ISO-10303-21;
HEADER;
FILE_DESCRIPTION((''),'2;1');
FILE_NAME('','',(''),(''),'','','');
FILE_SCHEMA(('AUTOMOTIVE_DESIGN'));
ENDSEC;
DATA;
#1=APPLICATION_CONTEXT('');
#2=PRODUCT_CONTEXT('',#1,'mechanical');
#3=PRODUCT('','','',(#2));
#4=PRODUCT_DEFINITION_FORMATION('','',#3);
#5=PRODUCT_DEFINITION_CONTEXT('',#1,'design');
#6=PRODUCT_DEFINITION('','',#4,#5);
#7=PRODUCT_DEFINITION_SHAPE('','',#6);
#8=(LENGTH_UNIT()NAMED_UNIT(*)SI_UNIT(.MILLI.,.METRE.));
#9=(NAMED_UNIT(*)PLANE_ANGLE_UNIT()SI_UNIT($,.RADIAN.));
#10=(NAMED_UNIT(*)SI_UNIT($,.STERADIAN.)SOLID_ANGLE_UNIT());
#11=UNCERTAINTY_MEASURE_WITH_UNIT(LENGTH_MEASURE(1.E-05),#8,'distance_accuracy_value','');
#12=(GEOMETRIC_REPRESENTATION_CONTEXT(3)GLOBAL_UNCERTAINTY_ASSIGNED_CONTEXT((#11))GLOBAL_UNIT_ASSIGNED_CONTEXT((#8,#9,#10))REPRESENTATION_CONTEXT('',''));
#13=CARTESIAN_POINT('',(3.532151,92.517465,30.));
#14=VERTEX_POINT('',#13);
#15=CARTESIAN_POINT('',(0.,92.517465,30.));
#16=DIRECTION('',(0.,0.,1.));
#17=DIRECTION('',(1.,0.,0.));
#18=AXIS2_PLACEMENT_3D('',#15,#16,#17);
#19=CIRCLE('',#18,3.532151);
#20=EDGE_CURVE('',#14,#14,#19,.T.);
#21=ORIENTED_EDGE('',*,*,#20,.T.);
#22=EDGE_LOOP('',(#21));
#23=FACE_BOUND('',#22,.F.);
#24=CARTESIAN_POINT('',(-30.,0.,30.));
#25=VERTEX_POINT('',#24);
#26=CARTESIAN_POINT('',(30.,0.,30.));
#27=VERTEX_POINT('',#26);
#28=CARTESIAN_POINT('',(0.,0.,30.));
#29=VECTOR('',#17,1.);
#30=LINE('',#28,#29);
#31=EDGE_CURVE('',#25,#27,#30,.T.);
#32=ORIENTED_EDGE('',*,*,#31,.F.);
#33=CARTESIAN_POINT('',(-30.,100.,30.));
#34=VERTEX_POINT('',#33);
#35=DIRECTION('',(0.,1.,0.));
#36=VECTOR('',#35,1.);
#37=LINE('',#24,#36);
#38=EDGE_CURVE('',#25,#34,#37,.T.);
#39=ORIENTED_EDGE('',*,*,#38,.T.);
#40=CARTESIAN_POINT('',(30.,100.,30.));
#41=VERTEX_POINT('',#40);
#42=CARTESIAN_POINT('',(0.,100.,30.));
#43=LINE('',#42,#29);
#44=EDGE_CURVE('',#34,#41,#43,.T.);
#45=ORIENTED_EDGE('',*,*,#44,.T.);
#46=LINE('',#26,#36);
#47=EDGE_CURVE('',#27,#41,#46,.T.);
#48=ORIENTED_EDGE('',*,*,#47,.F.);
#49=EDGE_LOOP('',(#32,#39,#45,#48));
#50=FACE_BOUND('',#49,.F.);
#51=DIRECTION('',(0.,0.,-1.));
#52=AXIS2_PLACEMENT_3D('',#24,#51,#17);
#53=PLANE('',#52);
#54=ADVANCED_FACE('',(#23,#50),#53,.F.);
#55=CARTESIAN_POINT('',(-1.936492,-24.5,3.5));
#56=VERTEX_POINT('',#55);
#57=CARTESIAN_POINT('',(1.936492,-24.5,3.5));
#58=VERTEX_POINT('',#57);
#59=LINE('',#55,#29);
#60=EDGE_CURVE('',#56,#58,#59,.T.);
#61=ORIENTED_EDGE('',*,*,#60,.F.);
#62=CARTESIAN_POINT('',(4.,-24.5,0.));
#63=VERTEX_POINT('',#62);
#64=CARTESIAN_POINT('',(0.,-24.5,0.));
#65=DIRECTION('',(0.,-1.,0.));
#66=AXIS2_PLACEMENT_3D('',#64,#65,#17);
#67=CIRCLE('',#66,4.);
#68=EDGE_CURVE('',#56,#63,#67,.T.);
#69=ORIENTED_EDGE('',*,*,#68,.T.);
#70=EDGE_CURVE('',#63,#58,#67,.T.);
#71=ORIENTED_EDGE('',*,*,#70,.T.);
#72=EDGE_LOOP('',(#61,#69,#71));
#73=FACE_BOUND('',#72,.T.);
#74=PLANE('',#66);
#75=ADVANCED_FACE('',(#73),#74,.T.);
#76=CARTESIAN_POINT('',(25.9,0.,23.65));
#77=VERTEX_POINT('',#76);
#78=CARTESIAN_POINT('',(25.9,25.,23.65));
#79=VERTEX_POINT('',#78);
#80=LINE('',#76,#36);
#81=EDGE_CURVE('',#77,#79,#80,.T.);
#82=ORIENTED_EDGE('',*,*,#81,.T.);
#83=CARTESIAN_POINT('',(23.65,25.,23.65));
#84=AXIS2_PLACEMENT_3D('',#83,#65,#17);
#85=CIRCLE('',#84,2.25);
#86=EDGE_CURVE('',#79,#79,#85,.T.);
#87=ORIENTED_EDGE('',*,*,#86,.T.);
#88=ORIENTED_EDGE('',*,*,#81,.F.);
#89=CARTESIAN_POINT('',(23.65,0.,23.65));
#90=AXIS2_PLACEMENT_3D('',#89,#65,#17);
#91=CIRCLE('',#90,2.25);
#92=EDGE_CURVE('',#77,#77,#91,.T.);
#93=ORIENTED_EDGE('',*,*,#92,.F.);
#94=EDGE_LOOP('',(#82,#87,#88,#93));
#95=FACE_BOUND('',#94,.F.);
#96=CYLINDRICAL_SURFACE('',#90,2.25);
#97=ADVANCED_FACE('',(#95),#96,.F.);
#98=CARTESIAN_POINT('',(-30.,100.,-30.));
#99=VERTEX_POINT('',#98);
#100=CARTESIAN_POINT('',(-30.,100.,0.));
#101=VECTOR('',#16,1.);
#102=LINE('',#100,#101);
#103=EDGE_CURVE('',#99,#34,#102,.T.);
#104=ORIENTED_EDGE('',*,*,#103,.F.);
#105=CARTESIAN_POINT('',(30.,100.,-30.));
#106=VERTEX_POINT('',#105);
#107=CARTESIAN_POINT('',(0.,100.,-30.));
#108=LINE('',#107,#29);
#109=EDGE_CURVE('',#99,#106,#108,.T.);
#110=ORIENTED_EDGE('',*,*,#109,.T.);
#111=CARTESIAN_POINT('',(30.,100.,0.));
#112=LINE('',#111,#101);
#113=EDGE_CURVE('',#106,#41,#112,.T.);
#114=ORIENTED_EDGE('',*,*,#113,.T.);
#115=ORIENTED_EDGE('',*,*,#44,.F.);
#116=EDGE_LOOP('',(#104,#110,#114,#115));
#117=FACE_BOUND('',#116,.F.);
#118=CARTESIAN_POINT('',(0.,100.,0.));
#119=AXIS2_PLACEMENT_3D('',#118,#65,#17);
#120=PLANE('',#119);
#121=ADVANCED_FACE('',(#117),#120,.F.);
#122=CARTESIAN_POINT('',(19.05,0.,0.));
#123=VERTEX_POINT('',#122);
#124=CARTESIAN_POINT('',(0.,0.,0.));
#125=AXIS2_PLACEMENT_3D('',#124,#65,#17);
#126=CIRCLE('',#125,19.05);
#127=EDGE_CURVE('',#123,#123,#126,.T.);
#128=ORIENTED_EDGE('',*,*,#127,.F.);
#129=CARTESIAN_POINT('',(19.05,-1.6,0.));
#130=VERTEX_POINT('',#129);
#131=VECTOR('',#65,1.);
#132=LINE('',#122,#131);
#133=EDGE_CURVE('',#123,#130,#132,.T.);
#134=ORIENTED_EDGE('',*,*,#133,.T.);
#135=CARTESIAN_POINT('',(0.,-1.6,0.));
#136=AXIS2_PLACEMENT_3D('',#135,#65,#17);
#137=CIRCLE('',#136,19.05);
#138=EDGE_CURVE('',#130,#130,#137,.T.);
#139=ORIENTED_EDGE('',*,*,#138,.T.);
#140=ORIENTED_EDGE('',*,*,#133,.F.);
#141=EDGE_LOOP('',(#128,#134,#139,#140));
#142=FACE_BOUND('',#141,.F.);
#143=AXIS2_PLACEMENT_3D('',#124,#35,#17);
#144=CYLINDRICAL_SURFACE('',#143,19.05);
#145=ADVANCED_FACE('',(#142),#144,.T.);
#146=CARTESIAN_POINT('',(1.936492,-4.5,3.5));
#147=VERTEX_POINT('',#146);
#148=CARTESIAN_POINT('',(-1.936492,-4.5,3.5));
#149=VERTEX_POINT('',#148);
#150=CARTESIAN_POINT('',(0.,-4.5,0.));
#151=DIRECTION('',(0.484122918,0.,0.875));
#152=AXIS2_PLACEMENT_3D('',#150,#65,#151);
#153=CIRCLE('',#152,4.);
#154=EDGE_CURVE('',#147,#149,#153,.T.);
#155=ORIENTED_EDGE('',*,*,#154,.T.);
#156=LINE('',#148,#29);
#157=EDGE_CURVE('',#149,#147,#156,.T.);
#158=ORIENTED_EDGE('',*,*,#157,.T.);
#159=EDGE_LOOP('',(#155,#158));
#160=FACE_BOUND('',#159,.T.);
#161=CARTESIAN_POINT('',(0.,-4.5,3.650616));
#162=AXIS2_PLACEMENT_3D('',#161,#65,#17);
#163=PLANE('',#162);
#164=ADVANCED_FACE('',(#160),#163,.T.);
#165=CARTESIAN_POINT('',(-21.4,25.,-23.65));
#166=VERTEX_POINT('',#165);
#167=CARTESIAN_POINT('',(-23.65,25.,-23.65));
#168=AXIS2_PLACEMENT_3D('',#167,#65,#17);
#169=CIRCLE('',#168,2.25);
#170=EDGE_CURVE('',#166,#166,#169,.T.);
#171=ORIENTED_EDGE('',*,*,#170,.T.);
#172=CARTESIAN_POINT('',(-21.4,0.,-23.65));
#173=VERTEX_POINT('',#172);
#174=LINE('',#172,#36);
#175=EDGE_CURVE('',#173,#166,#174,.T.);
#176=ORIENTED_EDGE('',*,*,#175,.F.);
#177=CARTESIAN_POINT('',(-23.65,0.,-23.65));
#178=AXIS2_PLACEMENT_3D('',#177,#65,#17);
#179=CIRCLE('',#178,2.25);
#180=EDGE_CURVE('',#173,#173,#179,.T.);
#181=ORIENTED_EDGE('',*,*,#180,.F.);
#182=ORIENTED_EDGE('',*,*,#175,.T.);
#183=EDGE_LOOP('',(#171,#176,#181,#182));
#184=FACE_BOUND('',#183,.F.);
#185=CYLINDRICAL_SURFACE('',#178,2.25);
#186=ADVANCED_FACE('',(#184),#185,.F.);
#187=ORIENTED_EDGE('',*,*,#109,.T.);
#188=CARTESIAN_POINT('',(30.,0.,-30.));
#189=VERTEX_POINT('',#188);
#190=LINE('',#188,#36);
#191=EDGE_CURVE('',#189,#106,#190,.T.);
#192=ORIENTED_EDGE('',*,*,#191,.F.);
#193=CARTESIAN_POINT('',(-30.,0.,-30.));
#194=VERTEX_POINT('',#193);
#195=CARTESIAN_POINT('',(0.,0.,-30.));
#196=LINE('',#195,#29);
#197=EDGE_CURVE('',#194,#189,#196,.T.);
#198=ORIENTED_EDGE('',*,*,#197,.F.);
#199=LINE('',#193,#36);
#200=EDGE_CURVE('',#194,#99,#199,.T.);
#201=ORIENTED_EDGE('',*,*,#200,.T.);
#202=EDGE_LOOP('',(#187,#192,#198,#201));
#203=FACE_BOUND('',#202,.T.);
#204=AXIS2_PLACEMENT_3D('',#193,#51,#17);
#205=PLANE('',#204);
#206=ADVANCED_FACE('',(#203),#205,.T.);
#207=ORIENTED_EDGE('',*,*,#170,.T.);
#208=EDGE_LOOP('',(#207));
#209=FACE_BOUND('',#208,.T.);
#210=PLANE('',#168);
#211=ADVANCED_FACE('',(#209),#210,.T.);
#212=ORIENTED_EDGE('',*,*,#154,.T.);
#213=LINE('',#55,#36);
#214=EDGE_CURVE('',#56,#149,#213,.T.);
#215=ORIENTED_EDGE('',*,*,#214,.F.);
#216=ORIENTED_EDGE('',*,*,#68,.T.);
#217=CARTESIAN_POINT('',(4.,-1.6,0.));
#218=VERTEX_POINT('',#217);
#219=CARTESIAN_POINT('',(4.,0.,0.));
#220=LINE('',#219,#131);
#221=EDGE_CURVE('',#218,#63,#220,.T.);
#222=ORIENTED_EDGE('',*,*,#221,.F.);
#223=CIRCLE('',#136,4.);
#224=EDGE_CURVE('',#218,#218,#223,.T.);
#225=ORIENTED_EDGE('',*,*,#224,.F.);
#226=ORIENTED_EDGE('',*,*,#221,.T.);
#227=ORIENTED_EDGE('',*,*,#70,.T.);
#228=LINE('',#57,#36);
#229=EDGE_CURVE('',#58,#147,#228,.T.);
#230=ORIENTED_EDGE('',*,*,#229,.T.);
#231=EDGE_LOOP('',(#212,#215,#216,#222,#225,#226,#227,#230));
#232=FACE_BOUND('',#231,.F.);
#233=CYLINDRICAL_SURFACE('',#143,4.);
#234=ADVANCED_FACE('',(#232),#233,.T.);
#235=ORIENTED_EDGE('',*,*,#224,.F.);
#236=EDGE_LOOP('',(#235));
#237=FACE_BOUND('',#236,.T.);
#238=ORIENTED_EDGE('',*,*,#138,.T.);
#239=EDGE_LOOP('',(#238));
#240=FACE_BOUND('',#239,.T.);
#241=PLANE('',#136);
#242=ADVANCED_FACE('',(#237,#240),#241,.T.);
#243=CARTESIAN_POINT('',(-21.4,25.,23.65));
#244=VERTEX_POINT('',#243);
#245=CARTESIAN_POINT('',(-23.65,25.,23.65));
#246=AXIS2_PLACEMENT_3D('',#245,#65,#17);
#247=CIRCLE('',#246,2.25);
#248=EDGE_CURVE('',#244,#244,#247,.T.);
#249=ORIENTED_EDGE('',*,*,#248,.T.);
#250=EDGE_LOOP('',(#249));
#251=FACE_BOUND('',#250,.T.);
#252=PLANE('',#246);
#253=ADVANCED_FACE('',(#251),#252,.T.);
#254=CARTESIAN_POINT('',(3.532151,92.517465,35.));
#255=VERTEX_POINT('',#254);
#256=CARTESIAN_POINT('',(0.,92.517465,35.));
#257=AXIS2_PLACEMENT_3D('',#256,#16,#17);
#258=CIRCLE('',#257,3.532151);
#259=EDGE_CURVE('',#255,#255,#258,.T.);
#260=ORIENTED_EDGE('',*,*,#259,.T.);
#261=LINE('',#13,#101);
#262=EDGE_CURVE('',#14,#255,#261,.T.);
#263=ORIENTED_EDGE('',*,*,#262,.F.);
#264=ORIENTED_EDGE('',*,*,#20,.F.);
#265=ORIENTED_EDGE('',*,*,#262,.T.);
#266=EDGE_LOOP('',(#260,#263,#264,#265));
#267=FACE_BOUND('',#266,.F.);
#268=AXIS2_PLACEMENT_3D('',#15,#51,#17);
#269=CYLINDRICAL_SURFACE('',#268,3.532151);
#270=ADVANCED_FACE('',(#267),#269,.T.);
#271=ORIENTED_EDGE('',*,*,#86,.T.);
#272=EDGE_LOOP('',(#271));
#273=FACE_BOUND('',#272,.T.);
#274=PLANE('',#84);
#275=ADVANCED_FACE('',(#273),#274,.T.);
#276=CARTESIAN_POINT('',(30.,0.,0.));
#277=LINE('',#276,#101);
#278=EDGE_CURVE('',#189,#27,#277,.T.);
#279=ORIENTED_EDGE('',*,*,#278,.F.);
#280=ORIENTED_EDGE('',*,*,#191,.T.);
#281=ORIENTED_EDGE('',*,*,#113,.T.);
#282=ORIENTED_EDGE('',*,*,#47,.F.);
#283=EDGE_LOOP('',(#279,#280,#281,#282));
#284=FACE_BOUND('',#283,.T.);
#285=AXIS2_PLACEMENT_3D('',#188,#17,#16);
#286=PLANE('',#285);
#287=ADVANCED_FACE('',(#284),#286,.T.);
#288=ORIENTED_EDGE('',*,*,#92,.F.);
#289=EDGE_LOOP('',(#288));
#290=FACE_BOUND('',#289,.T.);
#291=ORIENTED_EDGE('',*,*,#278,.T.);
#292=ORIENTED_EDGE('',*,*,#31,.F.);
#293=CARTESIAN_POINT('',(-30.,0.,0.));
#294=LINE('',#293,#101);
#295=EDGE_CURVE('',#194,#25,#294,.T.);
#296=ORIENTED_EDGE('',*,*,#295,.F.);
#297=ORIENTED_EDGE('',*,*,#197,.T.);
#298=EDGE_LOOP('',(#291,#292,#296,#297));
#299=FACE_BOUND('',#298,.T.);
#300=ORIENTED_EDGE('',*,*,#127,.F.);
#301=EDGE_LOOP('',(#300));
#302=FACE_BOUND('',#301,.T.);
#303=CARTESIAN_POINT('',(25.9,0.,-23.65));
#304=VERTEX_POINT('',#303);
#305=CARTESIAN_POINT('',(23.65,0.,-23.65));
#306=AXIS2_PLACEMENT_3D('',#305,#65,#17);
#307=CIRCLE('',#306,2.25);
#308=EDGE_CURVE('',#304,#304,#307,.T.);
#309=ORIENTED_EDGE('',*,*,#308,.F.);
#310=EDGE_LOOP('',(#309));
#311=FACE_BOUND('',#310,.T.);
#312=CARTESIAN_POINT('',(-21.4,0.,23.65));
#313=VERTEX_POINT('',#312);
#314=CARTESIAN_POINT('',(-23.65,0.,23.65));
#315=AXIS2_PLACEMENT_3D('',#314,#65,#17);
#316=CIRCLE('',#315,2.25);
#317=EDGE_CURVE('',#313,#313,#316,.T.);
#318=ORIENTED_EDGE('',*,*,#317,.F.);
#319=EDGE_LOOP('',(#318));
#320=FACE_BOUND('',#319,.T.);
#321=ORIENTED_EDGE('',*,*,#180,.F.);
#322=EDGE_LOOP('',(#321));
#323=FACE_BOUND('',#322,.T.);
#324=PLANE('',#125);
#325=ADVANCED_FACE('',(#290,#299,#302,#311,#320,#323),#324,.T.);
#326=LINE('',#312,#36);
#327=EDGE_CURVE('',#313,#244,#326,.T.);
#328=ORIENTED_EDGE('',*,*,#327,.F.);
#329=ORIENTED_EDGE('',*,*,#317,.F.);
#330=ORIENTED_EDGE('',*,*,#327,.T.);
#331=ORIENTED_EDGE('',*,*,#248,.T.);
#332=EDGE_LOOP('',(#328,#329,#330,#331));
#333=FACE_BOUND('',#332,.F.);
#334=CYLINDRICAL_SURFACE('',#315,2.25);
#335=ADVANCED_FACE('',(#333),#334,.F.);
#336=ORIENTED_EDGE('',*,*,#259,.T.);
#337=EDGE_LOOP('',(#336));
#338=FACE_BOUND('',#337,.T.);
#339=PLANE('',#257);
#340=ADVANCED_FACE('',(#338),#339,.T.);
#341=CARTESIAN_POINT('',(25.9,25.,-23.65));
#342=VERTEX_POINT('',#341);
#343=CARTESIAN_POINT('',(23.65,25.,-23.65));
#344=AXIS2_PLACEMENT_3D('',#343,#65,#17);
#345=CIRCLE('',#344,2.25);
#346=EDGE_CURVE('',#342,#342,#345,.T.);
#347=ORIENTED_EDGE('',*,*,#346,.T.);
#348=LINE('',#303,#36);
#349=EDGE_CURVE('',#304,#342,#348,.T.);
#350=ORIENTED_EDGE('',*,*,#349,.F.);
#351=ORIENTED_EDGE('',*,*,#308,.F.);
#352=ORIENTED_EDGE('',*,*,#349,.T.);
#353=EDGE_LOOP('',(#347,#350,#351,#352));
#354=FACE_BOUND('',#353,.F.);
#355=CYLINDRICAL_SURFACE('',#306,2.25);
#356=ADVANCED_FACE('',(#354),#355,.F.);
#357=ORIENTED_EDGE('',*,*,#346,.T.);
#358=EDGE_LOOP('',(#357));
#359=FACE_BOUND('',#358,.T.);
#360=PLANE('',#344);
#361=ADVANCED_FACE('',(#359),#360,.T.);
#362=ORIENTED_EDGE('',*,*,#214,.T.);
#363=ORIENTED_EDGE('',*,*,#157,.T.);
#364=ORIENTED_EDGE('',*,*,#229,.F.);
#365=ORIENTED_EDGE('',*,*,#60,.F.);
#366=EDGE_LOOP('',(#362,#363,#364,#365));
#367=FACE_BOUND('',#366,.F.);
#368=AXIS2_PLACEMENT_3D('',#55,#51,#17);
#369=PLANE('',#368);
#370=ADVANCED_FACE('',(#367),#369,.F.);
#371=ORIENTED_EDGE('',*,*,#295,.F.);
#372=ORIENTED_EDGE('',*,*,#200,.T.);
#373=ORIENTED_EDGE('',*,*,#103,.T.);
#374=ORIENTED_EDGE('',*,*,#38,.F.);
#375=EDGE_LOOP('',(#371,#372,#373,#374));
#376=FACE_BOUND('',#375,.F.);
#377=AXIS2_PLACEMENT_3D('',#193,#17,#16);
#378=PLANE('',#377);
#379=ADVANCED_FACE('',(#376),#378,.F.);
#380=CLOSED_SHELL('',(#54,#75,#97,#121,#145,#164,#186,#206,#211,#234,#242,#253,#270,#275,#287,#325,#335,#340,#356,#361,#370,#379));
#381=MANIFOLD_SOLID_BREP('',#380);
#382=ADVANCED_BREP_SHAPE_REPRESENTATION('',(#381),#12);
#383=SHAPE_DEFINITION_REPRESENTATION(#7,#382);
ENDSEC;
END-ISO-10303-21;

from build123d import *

# Parameters (mm, degrees)
F0_W     = 60
F0_H     = 60
F0_R     = 2.25
F0_R_2   = 19.05
F0_R_3   = 4
F1_DEPTH = 100
F2_DEPTH = 24.5
F4_DEPTH = 20
F5_DEPTH = 1.6
F6_DEPTH = 25
F7_R     = 3.5321510556
F8_DEPTH = 5


with BuildPart() as f1:
    # F0 (on Front) → F1 (new body)
    with BuildSketch(Plane.XZ):
        Rectangle(F0_W, F0_H)
        with Locations((-23.65, -23.65)):
            Circle(F0_R, mode=Mode.SUBTRACT)
        with Locations((23.65, -23.65)):
            Circle(F0_R, mode=Mode.SUBTRACT)
        with Locations((-23.65, 23.65)):
            Circle(F0_R, mode=Mode.SUBTRACT)
        Circle(F0_R_2, mode=Mode.SUBTRACT)
        with Locations((23.65, 23.65)):
            Circle(F0_R, mode=Mode.SUBTRACT)
        Circle(F0_R_2)
        Circle(F0_R_3, mode=Mode.SUBTRACT)
        Circle(F0_R_3)
        with Locations((-23.65, 23.65)):
            Circle(F0_R)
        with Locations((23.65, 23.65)):
            Circle(F0_R)
        with Locations((23.65, -23.65)):
            Circle(F0_R)
        with Locations((-23.65, -23.65)):
            Circle(F0_R)
    extrude(amount=-F1_DEPTH)

    # F0 (on Front) → F2 (join)
    with BuildSketch(Plane.XZ):
        Circle(F0_R_3)
    extrude(amount=F2_DEPTH)

    # F3 (on face) → F4 (cut)
    with BuildSketch(Plane.XZ.offset(24.5)):
        with BuildLine():
            ThreePointArc((1.9364916731, 3.5), (0, 4), (-1.9364916731, 3.5))
            Line((-1.9364916731, 3.5), (1.9364916731, 3.5))
        make_face()
    extrude(amount=-F4_DEPTH, mode=Mode.SUBTRACT)

    # F0 (on Front) → F5 (join)
    with BuildSketch(Plane.XZ):
        Circle(F0_R_2)
        Circle(F0_R_3, mode=Mode.SUBTRACT)
    extrude(amount=F5_DEPTH)

    # F0 (on Front) → F6 (cut)
    with BuildSketch(Plane.XZ):
        with Locations((-23.65, 23.65)):
            Circle(F0_R)
        with Locations((23.65, 23.65)):
            Circle(F0_R)
        with Locations((23.65, -23.65)):
            Circle(F0_R)
        with Locations((-23.65, -23.65)):
            Circle(F0_R)
    extrude(amount=-F6_DEPTH, mode=Mode.SUBTRACT)

    # F7 (on face) → F8 (join)
    with BuildSketch(Plane.XY.offset(30)):
        with Locations((0, 92.517465353)):
            Circle(F7_R)
    extrude(amount=F8_DEPTH)


solid = f1.part
